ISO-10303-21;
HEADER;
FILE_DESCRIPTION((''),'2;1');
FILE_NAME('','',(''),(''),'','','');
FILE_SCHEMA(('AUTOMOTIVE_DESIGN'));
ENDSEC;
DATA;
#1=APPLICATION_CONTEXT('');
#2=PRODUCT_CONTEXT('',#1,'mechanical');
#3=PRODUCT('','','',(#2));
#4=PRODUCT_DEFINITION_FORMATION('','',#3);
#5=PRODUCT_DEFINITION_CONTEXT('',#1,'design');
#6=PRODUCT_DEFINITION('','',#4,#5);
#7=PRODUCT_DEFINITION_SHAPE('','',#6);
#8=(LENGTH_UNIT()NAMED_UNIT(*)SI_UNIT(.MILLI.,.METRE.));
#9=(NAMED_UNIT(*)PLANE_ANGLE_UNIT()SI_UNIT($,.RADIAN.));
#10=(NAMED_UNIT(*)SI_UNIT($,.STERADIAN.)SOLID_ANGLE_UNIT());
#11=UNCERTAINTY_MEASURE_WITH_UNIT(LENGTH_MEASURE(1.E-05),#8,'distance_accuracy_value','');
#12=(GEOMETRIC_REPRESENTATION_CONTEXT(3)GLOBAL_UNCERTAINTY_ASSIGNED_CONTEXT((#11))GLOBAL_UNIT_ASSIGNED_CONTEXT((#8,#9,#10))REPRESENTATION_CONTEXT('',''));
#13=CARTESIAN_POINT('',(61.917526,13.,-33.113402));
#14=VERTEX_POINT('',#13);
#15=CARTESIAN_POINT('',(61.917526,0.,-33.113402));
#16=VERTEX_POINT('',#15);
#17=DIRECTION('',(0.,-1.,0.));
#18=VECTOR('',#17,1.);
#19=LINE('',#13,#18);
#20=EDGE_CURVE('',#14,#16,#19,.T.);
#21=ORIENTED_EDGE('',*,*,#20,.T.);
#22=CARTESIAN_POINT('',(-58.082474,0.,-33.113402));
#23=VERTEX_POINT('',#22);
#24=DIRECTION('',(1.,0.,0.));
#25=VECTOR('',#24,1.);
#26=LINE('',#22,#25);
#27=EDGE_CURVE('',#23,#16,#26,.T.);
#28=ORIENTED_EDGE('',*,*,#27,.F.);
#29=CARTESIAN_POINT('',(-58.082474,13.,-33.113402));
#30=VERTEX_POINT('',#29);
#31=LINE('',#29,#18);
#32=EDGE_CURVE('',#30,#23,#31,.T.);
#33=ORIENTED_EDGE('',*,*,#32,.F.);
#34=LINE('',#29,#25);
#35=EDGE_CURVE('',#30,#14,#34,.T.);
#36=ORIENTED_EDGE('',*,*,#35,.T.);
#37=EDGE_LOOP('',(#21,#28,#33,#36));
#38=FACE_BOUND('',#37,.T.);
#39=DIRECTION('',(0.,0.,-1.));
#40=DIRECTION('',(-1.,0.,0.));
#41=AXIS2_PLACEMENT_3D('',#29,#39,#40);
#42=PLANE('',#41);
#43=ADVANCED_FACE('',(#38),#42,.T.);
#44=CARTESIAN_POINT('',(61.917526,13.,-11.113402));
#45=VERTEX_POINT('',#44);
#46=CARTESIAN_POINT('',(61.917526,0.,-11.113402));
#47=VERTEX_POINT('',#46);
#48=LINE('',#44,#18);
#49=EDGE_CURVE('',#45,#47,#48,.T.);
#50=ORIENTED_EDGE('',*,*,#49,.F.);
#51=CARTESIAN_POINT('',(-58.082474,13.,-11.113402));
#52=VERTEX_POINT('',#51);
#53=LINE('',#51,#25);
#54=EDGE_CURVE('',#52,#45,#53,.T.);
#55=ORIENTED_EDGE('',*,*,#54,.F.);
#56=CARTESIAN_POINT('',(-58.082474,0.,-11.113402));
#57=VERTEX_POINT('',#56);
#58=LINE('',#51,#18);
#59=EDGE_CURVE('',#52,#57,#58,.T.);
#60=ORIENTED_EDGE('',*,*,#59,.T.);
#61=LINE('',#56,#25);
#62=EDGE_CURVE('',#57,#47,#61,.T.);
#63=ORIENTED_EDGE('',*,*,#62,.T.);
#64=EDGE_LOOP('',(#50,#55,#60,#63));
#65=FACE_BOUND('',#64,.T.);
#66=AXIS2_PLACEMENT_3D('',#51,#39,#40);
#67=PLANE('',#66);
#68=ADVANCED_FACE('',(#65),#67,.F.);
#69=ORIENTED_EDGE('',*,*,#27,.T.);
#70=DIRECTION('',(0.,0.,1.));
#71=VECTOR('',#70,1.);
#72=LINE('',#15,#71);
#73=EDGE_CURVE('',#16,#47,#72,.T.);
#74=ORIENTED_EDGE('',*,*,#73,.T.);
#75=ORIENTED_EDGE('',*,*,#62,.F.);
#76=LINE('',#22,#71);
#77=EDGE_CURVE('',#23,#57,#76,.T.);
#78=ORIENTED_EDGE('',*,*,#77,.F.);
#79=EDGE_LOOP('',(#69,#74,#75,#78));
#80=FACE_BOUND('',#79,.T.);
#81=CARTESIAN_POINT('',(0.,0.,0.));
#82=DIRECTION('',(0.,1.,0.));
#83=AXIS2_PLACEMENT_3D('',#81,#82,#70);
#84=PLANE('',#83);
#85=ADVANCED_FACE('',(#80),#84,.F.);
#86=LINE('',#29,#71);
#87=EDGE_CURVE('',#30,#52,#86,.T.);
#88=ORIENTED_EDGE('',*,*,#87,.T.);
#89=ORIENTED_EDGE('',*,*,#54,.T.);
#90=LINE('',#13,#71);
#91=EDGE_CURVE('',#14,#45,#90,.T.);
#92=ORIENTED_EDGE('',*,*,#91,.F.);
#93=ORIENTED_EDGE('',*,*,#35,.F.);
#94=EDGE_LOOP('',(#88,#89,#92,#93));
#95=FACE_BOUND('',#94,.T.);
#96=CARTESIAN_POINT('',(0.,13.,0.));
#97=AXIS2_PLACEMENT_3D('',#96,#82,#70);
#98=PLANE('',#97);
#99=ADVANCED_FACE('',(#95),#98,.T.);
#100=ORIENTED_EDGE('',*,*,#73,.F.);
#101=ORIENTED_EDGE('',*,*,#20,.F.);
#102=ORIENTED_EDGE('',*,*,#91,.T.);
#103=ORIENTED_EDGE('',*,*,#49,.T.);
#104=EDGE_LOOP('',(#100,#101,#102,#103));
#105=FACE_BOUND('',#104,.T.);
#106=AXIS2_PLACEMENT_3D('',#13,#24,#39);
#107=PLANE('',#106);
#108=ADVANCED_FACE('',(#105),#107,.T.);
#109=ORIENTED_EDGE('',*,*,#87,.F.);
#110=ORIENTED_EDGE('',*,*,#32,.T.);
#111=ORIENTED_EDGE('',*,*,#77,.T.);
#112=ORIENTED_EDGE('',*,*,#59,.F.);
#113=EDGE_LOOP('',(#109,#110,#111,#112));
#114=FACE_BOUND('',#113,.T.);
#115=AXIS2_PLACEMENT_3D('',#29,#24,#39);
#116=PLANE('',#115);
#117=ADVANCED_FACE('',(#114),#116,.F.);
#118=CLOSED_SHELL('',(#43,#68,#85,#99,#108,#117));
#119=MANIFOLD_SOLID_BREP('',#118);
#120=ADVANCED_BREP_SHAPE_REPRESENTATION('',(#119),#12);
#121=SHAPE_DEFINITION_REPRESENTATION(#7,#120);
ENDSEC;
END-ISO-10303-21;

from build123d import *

# Parameters (mm, degrees)
SKETCH_1_W      = 120
SKETCH_1_H      = 22
EXTRUDE_1_DEPTH = 13


with BuildPart() as part:
    # 草图1 → 凸台-拉伸1 (new body)
    with BuildSketch(Plane(origin=(0, 0, 0), x_dir=(1, 0, 0), z_dir=(0, 1, 0))):
        with Locations((1.917525773, 22.113402062)):
            Rectangle(SKETCH_1_W, SKETCH_1_H)
    extrude(amount=EXTRUDE_1_DEPTH)


solid = part.part
